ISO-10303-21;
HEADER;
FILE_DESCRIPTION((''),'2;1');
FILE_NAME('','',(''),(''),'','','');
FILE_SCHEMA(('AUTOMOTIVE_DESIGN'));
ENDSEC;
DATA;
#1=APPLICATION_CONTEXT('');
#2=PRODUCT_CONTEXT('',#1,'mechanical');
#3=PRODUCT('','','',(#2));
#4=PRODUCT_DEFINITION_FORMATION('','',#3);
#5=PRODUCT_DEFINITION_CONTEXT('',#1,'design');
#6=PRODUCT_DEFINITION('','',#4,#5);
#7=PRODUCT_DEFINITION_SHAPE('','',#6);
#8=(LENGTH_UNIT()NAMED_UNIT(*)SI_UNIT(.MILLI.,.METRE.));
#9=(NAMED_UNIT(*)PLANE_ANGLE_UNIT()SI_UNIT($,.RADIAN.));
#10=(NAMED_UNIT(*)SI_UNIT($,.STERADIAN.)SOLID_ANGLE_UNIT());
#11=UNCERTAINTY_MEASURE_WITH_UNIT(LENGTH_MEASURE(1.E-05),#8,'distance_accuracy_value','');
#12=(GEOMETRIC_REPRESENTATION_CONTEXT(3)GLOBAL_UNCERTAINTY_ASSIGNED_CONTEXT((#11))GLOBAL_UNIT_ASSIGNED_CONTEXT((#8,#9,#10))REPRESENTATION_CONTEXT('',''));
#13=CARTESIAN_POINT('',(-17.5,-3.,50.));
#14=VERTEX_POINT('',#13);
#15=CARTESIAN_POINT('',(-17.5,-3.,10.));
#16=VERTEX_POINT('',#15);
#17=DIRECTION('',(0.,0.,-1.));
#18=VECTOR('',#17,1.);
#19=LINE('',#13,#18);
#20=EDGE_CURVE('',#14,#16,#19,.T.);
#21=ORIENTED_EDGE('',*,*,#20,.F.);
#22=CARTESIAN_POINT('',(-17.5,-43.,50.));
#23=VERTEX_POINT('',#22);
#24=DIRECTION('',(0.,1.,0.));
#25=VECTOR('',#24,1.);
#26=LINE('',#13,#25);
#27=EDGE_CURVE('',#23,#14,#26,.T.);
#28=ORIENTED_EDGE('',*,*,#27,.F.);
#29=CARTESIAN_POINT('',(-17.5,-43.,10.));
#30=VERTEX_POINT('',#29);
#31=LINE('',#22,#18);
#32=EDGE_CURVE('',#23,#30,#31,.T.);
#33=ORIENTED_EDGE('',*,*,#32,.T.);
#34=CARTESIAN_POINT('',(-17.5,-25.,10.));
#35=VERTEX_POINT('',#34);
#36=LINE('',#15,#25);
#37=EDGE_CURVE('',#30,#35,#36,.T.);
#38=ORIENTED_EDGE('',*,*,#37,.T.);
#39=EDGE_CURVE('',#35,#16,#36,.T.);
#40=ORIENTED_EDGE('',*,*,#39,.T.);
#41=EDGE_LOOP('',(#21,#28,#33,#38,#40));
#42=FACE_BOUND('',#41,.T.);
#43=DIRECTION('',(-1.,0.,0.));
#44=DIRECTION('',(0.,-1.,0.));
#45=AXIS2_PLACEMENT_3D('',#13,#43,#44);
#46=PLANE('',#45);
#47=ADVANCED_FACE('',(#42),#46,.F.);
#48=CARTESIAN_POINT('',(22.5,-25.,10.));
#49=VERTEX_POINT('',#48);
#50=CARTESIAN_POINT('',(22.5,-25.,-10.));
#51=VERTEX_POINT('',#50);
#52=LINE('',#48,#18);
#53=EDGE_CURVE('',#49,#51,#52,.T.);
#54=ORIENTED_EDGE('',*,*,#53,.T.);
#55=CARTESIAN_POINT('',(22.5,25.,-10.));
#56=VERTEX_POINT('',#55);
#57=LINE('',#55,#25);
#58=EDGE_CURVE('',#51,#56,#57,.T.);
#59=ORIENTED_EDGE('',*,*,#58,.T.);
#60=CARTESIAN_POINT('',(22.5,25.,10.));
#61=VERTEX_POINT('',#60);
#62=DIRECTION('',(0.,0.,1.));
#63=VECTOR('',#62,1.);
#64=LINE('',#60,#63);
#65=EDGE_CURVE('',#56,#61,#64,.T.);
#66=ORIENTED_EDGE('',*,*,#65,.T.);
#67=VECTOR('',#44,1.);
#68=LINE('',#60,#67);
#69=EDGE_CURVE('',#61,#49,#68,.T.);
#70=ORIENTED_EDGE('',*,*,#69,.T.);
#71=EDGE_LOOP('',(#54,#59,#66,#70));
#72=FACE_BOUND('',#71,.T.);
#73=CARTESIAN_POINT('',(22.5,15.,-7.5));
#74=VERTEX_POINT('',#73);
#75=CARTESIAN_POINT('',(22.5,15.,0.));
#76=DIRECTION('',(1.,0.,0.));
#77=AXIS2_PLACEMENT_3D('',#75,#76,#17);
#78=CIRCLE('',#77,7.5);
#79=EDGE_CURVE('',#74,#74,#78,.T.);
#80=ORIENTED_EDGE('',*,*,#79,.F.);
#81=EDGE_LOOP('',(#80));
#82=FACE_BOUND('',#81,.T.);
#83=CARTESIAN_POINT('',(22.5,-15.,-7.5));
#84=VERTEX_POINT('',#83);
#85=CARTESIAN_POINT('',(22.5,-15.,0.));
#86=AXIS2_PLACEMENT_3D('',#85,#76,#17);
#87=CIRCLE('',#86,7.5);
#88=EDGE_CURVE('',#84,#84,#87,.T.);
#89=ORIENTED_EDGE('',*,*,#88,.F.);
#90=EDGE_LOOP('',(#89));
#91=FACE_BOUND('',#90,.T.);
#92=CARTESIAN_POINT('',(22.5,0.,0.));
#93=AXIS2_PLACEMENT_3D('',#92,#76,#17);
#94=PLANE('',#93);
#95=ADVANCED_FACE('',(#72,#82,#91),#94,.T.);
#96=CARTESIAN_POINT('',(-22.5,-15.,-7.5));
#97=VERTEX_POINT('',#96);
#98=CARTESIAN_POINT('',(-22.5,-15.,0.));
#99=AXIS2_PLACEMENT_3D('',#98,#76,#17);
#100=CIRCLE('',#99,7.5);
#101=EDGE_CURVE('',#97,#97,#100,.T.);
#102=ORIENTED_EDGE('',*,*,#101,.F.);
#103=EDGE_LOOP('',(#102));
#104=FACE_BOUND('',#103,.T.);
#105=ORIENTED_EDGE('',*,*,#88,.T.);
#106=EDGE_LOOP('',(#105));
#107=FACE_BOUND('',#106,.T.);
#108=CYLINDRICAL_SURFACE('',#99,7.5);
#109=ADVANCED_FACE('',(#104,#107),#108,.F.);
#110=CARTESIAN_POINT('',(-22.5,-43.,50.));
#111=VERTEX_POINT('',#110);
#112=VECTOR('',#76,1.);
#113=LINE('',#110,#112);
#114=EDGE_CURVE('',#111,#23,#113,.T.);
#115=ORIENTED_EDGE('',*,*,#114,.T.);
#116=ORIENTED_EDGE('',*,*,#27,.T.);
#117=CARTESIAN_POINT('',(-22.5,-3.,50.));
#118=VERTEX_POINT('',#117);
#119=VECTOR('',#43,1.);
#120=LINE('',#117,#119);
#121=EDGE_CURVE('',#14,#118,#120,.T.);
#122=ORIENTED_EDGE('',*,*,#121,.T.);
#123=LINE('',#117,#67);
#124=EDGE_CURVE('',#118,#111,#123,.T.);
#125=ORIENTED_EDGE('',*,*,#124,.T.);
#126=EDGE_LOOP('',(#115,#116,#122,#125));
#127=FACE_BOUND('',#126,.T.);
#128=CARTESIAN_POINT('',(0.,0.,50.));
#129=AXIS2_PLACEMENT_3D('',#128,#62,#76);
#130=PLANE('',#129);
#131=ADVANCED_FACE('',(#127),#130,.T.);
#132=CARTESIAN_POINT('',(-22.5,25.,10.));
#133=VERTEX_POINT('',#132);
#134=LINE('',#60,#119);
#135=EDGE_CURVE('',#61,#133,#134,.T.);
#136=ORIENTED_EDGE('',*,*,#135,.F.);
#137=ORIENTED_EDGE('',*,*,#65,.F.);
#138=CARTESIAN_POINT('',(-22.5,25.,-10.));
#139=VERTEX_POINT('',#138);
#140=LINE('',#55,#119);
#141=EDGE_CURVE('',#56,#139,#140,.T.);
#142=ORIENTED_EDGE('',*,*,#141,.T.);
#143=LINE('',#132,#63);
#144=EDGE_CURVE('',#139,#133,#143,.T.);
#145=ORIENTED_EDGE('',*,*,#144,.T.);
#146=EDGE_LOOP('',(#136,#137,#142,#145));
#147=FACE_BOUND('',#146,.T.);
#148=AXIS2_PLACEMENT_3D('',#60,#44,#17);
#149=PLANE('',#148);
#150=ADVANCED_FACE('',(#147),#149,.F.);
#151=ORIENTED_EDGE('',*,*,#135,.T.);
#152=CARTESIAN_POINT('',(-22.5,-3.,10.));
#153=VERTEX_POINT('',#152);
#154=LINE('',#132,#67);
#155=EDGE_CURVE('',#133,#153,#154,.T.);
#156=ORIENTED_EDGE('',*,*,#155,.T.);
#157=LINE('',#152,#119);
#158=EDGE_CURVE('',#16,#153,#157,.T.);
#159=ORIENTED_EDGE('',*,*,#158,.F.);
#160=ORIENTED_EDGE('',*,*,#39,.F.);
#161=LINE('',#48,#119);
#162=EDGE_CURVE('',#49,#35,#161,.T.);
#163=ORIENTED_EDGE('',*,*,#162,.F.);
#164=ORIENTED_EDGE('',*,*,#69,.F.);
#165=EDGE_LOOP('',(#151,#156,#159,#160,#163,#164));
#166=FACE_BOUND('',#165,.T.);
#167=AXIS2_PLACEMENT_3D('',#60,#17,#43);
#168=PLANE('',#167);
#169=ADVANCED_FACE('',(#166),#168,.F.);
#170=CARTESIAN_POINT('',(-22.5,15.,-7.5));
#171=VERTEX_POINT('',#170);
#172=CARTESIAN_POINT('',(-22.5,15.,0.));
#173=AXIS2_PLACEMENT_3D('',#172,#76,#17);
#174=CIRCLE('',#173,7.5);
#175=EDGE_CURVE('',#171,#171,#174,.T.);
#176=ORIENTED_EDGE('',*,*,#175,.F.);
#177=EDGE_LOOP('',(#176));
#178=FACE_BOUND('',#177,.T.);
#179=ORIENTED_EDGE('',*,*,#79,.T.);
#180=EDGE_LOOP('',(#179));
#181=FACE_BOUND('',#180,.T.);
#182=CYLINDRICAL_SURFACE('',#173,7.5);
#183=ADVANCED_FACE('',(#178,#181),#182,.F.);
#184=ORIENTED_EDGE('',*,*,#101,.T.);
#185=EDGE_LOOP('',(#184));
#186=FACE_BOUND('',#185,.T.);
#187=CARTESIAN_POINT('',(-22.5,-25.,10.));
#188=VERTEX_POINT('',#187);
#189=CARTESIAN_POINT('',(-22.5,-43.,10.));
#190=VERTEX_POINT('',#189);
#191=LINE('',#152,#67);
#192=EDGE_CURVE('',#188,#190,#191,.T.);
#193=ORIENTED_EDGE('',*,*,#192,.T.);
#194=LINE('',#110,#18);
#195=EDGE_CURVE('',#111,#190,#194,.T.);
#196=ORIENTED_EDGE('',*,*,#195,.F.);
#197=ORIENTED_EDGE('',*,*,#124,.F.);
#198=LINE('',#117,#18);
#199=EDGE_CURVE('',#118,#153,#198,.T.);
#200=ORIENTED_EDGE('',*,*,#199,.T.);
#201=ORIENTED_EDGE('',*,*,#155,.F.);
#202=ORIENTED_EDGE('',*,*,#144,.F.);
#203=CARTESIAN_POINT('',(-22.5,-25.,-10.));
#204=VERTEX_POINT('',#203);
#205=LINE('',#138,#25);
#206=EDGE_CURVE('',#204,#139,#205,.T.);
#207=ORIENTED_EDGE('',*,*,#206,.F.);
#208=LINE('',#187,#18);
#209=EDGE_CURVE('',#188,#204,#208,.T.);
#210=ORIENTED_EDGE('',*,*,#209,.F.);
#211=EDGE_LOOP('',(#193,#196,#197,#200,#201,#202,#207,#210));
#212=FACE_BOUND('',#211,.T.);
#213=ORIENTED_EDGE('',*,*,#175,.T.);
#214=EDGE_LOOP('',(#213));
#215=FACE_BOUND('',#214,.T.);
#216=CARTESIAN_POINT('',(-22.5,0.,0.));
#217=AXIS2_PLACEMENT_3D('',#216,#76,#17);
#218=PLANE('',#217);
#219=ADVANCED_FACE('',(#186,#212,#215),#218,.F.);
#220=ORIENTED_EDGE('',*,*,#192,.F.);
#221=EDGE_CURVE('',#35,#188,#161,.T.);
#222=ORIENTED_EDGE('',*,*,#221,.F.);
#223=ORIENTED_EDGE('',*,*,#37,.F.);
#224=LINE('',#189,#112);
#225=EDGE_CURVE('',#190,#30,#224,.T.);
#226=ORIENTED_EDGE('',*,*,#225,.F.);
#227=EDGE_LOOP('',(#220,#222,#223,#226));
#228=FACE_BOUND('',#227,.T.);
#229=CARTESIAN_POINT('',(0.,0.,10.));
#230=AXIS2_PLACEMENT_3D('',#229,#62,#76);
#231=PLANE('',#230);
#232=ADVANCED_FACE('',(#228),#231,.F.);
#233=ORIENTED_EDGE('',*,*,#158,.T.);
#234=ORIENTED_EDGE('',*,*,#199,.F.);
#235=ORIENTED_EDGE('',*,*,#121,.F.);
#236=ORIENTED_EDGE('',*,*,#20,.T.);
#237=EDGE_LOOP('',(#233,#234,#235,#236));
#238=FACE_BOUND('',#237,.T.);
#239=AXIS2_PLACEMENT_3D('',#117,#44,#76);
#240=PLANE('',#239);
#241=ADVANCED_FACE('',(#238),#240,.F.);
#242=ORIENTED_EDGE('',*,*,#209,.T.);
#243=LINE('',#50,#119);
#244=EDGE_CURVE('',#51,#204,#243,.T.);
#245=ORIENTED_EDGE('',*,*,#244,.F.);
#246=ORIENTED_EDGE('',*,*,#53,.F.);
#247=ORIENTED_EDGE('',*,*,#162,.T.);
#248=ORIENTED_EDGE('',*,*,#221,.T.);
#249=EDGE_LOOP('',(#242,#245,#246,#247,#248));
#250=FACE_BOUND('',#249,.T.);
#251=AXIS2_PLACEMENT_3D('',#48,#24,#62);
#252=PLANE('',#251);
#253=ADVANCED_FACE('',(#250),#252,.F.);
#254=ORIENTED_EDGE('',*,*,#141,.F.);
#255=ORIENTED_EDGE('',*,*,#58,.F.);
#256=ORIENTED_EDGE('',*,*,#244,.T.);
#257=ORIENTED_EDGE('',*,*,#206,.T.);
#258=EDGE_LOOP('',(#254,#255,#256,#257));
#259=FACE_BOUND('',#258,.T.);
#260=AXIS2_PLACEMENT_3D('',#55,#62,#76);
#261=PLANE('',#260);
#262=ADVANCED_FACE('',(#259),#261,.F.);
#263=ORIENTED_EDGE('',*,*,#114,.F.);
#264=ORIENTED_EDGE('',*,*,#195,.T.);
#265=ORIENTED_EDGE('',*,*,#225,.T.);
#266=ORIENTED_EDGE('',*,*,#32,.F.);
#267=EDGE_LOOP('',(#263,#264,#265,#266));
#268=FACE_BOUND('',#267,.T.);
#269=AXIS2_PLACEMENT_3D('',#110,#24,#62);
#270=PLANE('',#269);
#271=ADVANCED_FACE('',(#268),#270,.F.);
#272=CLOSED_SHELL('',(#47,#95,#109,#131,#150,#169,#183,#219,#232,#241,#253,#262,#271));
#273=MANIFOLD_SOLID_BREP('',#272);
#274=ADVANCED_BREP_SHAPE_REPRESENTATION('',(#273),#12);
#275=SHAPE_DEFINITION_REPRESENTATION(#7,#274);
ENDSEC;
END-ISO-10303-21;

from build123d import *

# Parameters (mm, degrees)
SKETCH2_W               = 20
SKETCH2_H               = 50
BOSS_EXTRUDE1_DEPTH     = 22.5
SKETCH3_W               = 5
SKETCH3_H               = 40
BOSS_EXTRUDE2_DEPTH     = 40
SKETCH4_R               = 7.5
CUT_EXTRUDE1_DEPTH      = 23.5
CUT_EXTRUDE1_DEPTH_BACK = 23.5


with BuildPart() as part:
    # Sketch2 → Boss-Extrude1 (new body, symmetric)
    with BuildSketch(Plane(origin=(0, 0, 0), x_dir=(0, 0, -1), z_dir=(1, 0, 0))):
        Rectangle(SKETCH2_W, SKETCH2_H)
    extrude(amount=BOSS_EXTRUDE1_DEPTH, both=True)

    # Sketch3 → Boss-Extrude2 (add)
    with BuildSketch(Plane.XY.offset(10)):
        with Locations((-20, -23)):
            Rectangle(SKETCH3_W, SKETCH3_H)
    extrude(amount=BOSS_EXTRUDE2_DEPTH)

    # Sketch4 → Cut-Extrude1 (cut, two sides)
    with BuildSketch(Plane(origin=(0, 0, 0), x_dir=(0, 0, -1), z_dir=(1, 0, 0))) as cut_extrude1_sk:
        with Locations((0, -15)):
            Circle(SKETCH4_R)
        with Locations((0, 15)):
            Circle(SKETCH4_R)
    extrude(amount=CUT_EXTRUDE1_DEPTH, mode=Mode.SUBTRACT)
    extrude(cut_extrude1_sk.sketch, amount=-CUT_EXTRUDE1_DEPTH_BACK, mode=Mode.SUBTRACT)


solid = part.part
